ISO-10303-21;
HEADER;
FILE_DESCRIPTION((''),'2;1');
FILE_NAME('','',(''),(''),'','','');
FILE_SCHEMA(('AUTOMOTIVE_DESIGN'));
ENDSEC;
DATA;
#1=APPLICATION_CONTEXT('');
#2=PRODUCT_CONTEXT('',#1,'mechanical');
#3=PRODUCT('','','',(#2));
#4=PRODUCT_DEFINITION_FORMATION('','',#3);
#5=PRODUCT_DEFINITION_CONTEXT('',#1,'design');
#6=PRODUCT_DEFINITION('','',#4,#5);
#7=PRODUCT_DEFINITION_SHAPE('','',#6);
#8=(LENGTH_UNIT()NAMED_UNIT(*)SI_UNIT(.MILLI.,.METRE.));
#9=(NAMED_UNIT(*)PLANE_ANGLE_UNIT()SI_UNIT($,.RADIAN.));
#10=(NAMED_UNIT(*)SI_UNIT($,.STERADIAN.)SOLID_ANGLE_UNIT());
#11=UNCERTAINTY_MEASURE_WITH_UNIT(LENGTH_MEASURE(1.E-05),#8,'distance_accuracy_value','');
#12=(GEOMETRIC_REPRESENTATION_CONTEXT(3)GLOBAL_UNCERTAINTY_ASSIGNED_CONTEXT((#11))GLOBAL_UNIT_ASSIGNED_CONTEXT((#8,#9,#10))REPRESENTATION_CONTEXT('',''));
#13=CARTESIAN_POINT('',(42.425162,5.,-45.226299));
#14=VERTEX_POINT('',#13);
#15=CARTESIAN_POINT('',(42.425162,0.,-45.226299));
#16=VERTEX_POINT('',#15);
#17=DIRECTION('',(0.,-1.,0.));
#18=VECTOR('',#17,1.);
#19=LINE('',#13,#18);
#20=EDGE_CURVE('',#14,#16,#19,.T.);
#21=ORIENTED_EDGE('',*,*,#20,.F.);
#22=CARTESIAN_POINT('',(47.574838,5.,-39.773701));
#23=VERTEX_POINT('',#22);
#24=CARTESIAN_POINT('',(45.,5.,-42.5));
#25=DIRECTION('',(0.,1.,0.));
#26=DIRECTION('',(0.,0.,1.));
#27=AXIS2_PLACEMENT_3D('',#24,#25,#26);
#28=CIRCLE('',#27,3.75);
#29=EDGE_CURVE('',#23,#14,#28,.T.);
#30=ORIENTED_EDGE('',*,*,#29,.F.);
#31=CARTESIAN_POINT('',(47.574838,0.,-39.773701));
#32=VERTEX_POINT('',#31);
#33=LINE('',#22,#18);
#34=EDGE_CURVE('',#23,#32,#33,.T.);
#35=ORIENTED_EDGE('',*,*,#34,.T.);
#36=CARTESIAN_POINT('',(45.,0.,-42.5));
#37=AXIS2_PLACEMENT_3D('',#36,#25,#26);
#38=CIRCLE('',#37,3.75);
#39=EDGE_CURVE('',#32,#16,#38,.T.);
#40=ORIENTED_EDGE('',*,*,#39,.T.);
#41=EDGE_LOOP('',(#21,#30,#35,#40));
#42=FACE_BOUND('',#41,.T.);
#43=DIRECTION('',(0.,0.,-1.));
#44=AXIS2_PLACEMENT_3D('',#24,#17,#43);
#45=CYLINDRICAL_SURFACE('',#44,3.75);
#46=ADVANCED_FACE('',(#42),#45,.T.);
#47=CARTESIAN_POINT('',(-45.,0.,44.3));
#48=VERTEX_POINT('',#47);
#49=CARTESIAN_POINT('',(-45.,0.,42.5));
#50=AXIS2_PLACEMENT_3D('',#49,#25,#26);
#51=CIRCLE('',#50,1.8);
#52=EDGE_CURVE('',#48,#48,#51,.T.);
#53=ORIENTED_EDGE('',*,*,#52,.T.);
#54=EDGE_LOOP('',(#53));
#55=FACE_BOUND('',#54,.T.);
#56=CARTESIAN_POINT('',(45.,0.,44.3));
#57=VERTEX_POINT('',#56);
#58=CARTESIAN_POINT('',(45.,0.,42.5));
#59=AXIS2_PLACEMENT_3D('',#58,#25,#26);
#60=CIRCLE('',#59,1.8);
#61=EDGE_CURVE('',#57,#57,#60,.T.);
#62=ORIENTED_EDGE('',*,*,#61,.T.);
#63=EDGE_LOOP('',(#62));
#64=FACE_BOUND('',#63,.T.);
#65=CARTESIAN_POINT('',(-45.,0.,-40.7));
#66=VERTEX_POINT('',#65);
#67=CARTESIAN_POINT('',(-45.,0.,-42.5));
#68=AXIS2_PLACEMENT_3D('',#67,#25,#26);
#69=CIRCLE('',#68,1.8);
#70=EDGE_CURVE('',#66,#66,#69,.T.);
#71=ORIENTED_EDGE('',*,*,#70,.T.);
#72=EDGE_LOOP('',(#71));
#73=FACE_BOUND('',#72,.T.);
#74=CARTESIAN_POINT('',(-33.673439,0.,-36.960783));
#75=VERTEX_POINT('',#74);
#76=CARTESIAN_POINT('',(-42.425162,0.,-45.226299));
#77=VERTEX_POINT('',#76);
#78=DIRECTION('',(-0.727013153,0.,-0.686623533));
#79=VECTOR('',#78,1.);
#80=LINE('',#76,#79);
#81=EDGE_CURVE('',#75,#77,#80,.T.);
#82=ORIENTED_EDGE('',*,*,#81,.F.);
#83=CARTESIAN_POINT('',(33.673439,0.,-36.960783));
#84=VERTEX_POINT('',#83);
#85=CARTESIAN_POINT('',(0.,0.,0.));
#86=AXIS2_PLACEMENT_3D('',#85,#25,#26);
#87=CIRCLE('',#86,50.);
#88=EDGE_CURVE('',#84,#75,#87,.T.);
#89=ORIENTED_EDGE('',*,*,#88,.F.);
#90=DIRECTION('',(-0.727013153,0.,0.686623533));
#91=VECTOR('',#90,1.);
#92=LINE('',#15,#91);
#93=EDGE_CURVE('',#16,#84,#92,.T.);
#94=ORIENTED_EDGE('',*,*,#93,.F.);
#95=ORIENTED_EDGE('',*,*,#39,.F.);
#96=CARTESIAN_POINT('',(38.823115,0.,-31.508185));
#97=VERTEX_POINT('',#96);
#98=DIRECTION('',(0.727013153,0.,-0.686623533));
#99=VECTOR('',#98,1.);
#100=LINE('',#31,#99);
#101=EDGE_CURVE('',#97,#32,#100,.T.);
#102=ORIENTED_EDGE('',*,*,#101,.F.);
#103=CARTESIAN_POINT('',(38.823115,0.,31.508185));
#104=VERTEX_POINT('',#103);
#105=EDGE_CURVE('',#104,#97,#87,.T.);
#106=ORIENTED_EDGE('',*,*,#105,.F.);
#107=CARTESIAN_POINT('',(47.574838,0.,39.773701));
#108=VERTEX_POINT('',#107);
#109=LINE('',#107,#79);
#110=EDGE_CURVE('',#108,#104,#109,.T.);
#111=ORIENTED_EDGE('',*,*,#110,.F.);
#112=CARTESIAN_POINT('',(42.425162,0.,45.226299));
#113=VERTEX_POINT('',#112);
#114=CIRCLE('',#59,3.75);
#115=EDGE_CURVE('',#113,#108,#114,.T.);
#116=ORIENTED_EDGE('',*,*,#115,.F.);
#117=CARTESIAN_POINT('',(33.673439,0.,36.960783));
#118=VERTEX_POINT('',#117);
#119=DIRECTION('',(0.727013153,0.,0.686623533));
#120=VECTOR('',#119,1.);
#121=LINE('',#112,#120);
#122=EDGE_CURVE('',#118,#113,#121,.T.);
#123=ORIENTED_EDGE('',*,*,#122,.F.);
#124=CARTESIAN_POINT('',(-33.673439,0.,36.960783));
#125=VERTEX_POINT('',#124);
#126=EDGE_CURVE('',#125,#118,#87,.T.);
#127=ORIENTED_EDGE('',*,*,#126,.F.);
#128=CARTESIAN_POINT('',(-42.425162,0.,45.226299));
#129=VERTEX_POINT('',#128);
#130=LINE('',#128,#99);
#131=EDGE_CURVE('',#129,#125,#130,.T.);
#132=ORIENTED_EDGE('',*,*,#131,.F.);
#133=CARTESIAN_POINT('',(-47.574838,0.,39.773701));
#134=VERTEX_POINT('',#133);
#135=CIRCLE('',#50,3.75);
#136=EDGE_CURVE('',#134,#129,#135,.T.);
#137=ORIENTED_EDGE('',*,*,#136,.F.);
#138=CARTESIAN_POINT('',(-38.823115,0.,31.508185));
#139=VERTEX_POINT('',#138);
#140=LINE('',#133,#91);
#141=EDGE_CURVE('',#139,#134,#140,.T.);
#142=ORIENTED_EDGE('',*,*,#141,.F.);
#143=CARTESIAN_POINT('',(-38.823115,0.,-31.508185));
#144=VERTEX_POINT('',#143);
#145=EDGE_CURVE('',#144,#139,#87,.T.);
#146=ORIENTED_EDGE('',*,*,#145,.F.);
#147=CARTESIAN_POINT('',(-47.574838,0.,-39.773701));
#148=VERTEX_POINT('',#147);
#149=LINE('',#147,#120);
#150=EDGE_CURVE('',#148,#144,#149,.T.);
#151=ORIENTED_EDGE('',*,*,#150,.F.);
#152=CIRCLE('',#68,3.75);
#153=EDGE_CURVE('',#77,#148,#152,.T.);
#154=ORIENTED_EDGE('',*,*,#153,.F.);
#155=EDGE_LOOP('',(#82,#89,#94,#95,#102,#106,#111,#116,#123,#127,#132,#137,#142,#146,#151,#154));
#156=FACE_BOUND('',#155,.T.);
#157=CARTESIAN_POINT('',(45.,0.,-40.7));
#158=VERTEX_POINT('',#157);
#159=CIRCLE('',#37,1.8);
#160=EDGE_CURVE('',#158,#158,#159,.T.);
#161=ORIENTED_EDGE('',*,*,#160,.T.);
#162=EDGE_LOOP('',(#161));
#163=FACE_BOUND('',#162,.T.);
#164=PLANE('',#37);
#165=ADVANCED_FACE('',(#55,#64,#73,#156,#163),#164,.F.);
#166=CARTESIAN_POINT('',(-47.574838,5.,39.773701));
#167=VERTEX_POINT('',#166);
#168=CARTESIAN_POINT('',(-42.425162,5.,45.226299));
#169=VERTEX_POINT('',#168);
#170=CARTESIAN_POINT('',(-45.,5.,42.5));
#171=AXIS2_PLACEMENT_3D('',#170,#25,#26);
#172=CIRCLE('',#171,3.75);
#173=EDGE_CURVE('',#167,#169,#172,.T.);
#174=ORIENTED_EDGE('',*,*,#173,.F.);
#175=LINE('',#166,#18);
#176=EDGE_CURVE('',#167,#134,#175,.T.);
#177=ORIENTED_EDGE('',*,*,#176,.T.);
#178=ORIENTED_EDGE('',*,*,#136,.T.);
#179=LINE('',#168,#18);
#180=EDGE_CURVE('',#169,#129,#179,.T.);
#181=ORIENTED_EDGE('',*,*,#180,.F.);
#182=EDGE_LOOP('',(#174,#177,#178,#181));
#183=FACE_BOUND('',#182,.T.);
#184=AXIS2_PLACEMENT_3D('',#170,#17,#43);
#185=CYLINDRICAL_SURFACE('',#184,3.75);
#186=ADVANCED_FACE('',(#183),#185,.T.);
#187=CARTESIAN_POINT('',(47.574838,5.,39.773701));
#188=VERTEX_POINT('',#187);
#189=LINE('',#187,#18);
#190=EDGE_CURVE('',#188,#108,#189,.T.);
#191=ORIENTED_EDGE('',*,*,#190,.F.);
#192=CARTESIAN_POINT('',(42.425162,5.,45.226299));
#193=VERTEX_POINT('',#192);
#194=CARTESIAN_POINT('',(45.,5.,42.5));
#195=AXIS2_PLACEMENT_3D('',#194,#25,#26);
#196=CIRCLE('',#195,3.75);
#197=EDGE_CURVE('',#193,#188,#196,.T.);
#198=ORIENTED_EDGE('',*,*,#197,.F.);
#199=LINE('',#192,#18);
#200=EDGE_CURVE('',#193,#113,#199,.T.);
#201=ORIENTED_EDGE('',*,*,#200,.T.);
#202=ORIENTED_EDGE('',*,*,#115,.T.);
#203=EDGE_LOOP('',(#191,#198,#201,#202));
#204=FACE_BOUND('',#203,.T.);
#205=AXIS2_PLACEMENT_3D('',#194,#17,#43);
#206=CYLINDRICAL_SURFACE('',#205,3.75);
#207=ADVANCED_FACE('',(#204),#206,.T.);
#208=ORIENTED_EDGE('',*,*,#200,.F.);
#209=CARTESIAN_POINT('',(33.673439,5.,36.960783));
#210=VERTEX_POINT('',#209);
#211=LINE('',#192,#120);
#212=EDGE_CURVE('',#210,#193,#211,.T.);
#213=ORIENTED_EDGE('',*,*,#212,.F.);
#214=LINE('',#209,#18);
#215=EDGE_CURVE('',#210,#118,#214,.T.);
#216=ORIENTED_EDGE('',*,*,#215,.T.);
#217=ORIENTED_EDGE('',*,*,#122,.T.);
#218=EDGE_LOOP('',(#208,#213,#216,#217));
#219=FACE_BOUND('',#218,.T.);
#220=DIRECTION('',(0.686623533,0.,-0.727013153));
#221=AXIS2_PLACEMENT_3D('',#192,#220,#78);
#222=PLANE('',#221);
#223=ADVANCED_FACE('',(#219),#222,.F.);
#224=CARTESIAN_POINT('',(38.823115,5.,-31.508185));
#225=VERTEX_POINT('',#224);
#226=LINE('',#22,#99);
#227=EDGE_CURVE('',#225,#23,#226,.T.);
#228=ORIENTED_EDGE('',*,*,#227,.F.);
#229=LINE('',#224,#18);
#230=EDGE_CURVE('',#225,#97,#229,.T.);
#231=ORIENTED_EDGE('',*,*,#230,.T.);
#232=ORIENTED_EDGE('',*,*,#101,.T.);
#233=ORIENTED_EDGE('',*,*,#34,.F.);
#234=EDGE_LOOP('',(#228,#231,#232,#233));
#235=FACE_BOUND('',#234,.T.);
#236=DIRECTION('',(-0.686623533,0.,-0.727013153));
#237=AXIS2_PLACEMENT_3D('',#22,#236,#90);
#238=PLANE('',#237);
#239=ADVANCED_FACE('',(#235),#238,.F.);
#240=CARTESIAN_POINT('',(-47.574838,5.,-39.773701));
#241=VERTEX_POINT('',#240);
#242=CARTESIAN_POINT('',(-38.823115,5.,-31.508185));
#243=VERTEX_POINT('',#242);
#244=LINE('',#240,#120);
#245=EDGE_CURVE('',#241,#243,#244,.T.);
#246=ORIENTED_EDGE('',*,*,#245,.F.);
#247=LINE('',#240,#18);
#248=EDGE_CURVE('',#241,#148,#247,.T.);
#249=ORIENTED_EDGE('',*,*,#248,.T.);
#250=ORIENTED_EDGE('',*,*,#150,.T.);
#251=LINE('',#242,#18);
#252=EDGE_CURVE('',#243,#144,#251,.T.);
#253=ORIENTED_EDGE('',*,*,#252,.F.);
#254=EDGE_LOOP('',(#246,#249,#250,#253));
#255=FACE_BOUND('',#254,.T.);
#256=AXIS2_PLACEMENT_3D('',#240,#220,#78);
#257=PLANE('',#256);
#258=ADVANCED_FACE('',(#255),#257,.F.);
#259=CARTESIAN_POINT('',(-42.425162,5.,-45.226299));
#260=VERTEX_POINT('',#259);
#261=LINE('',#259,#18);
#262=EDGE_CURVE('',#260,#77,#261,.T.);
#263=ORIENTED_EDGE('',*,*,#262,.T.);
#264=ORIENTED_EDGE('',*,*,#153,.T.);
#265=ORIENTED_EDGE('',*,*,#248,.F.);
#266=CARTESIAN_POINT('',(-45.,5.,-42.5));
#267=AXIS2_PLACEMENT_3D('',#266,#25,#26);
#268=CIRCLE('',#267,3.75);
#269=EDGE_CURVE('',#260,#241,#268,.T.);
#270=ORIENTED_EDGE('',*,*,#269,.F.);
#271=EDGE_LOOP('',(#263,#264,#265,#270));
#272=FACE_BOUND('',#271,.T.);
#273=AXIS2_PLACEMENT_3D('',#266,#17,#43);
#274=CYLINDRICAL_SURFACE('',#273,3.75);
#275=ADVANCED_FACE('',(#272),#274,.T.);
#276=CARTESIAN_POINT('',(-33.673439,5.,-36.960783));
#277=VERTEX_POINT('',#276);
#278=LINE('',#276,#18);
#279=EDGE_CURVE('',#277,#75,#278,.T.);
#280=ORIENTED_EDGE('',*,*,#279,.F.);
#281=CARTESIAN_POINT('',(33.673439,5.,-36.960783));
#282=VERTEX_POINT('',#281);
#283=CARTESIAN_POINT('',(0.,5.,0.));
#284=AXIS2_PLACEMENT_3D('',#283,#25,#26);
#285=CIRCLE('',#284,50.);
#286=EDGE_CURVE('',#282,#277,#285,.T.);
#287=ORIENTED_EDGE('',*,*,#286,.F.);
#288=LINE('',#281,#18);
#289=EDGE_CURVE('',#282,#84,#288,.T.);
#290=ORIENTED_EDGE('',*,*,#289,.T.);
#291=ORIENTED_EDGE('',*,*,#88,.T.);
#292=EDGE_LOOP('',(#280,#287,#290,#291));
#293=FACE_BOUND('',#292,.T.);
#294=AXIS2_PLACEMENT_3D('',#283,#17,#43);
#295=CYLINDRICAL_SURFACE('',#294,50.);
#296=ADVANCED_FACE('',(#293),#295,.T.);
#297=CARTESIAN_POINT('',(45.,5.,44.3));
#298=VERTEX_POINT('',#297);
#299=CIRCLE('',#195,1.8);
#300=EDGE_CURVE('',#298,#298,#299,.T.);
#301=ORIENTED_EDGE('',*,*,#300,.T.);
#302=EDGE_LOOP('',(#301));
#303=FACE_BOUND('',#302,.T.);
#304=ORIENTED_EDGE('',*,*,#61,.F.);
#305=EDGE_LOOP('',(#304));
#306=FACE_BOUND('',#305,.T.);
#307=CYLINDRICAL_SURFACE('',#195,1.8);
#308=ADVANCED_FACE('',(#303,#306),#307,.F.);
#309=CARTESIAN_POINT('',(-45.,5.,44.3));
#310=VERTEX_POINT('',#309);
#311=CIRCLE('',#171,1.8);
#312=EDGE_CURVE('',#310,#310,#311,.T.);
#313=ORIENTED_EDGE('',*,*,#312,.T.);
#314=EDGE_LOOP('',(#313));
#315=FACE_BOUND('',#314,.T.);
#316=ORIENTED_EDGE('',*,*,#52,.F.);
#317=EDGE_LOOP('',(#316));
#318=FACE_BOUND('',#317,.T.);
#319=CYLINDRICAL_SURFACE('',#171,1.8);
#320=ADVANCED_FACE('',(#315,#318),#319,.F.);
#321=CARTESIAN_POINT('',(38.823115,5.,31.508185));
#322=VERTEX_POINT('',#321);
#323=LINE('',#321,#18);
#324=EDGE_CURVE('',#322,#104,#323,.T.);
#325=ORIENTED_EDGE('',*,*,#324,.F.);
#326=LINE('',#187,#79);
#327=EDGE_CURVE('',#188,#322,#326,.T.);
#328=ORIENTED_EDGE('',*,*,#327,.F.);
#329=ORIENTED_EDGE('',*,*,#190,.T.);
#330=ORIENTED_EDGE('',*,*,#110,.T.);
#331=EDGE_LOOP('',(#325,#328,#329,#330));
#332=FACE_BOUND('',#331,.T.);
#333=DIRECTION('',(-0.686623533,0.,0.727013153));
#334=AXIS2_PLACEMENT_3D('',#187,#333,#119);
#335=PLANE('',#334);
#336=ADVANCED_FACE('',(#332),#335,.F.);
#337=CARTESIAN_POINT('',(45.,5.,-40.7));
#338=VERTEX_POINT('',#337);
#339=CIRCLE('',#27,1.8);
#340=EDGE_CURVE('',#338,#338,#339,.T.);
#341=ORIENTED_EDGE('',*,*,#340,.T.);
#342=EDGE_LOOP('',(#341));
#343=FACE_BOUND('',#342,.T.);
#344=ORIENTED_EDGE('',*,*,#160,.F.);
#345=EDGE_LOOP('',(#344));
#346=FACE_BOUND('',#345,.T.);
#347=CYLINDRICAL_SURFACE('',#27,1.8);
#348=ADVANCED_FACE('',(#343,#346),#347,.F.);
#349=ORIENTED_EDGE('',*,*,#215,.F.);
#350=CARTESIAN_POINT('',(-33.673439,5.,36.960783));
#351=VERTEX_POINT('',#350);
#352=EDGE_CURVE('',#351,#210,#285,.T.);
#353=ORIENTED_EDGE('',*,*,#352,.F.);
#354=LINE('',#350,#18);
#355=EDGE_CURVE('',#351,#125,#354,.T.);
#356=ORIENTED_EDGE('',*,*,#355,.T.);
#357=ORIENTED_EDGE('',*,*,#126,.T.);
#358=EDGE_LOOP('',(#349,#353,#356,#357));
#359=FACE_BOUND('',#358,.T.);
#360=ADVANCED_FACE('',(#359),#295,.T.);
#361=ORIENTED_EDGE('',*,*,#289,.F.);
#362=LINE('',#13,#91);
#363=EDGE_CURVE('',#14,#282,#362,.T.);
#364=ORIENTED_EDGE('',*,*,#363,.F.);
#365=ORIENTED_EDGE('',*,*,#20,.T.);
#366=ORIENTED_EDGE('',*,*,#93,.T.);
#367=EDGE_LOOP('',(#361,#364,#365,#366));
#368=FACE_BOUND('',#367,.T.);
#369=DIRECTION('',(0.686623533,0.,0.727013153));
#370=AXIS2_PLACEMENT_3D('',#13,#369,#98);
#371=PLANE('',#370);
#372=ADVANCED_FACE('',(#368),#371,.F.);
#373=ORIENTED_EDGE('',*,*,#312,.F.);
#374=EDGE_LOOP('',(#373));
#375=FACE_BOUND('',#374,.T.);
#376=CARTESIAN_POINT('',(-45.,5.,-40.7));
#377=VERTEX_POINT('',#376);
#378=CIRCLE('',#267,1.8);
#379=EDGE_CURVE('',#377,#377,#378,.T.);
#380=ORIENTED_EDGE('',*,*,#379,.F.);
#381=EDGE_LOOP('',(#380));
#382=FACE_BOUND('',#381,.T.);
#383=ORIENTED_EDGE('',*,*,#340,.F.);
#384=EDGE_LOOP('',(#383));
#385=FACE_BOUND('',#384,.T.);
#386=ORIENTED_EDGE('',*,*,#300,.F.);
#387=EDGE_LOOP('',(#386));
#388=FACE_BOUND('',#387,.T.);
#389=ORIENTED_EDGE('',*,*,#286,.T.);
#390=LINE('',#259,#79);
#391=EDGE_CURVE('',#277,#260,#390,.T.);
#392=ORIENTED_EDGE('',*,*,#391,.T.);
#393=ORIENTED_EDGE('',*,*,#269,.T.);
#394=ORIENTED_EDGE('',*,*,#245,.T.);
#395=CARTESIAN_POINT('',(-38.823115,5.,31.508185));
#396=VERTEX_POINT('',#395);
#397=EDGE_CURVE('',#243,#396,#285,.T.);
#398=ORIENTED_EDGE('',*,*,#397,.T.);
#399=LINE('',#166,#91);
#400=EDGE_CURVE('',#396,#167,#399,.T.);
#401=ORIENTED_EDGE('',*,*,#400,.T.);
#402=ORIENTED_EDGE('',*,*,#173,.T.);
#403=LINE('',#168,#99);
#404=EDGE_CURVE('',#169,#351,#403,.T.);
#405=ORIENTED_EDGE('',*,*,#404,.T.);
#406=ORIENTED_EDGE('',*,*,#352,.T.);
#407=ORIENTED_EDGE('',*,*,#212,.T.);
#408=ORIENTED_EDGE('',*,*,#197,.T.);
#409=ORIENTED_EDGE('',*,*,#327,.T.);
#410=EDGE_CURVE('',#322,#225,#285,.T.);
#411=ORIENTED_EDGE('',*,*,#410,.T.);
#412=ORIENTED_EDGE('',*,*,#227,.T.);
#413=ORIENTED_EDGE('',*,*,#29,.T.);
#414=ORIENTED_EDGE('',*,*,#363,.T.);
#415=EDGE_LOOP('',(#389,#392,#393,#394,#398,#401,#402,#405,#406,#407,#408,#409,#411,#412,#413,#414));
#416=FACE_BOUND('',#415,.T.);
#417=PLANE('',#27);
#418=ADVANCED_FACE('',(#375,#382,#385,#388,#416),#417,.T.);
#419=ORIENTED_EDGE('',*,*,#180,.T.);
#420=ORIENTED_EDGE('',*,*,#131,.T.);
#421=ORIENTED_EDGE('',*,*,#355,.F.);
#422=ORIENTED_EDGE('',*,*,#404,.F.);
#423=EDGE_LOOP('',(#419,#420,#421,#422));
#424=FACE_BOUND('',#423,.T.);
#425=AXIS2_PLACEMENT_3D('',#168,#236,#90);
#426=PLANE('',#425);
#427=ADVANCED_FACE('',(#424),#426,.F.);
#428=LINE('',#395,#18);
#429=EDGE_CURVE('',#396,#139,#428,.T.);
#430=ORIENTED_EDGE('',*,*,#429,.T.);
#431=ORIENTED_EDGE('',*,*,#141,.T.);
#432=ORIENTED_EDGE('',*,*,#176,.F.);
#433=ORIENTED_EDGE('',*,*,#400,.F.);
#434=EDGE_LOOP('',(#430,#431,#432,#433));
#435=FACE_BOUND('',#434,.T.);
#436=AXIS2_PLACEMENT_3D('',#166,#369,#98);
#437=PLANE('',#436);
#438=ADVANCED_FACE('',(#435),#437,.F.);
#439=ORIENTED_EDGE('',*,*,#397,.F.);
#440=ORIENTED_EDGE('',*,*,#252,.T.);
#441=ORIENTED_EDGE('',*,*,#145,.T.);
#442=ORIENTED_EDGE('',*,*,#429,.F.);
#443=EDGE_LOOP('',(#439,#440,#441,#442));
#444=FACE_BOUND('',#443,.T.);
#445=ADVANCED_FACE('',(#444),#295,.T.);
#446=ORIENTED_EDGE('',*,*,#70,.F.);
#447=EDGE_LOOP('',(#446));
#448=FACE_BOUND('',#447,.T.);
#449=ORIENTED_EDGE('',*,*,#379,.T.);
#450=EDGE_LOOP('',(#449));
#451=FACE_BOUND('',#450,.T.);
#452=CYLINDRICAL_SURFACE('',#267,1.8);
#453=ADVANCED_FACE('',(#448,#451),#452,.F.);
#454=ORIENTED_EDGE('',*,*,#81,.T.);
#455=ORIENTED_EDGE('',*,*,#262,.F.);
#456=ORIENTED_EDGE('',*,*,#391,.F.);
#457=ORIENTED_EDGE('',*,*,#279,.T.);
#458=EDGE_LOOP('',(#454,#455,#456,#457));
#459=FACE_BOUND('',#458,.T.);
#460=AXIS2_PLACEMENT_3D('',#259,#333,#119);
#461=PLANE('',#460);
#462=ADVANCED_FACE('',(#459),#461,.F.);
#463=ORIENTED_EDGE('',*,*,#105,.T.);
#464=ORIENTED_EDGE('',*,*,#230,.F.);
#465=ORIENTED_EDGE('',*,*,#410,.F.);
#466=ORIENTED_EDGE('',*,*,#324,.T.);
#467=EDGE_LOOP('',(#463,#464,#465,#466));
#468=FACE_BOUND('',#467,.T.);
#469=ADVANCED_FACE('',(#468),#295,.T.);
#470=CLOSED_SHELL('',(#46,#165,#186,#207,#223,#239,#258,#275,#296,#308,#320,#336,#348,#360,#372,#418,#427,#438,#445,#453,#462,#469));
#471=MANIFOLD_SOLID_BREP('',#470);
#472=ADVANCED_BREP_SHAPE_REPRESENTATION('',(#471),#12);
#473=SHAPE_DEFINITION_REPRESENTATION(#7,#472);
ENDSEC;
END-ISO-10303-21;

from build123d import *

# Parameters (mm, degrees)
BOSS_EXTRU_1_DEPTH = 5
D_GAGEMENT_M31_D   = 3.6


with BuildPart() as part:
    # Esquisse1 → Boss.-Extru.1 (new body)
    with BuildSketch(Plane(origin=(0, 0, 0), x_dir=(1, 0, 0), z_dir=(0, 1, 0))):
        with BuildLine():
            Line((-47.574838249, 39.773700678), (-38.823115476, 31.508184726))
            ThreePointArc((-38.823115476, 31.508184726), (-50, 0), (-38.823115476, -31.508184726))
            Line((-38.823115476, -31.508184726), (-47.574838249, -39.773700678))
            ThreePointArc((-47.574838249, -39.773700678), (-47.726299322, -45.074838249), (-42.425161751, -45.226299322))
            Line((-42.425161751, -45.226299322), (-33.673438979, -36.96078337))
            ThreePointArc((-33.673438979, -36.96078337), (0, -50), (33.673438979, -36.96078337))
            Line((33.673438979, -36.96078337), (42.425161751, -45.226299322))
            ThreePointArc((42.425161751, -45.226299322), (47.726299322, -45.074838249), (47.574838249, -39.773700678))
            Line((47.574838249, -39.773700678), (38.823115476, -31.508184726))
            ThreePointArc((38.823115476, -31.508184726), (50, 0), (38.823115476, 31.508184726))
            Line((38.823115476, 31.508184726), (47.574838249, 39.773700678))
            ThreePointArc((47.574838249, 39.773700678), (47.726299322, 45.074838249), (42.425161751, 45.226299322))
            Line((42.425161751, 45.226299322), (33.673438979, 36.96078337))
            ThreePointArc((33.673438979, 36.96078337), (0, 50), (-33.673438979, 36.96078337))
            Line((-33.673438979, 36.96078337), (-42.425161751, 45.226299322))
            ThreePointArc((-42.425161751, 45.226299322), (-47.726299322, 45.074838249), (-47.574838249, 39.773700678))
        make_face()
    extrude(amount=BOSS_EXTRU_1_DEPTH)

    # Dégagement M31 (through all)
    with Locations(Plane(origin=(-45, 5, 42.5), x_dir=(0, 0, 1), z_dir=(0, 1, 0))):
        with Locations((0, 0), (-85, 0), (-85, 90), (0, 90)):
            Hole(D_GAGEMENT_M31_D / 2)


solid = part.part
